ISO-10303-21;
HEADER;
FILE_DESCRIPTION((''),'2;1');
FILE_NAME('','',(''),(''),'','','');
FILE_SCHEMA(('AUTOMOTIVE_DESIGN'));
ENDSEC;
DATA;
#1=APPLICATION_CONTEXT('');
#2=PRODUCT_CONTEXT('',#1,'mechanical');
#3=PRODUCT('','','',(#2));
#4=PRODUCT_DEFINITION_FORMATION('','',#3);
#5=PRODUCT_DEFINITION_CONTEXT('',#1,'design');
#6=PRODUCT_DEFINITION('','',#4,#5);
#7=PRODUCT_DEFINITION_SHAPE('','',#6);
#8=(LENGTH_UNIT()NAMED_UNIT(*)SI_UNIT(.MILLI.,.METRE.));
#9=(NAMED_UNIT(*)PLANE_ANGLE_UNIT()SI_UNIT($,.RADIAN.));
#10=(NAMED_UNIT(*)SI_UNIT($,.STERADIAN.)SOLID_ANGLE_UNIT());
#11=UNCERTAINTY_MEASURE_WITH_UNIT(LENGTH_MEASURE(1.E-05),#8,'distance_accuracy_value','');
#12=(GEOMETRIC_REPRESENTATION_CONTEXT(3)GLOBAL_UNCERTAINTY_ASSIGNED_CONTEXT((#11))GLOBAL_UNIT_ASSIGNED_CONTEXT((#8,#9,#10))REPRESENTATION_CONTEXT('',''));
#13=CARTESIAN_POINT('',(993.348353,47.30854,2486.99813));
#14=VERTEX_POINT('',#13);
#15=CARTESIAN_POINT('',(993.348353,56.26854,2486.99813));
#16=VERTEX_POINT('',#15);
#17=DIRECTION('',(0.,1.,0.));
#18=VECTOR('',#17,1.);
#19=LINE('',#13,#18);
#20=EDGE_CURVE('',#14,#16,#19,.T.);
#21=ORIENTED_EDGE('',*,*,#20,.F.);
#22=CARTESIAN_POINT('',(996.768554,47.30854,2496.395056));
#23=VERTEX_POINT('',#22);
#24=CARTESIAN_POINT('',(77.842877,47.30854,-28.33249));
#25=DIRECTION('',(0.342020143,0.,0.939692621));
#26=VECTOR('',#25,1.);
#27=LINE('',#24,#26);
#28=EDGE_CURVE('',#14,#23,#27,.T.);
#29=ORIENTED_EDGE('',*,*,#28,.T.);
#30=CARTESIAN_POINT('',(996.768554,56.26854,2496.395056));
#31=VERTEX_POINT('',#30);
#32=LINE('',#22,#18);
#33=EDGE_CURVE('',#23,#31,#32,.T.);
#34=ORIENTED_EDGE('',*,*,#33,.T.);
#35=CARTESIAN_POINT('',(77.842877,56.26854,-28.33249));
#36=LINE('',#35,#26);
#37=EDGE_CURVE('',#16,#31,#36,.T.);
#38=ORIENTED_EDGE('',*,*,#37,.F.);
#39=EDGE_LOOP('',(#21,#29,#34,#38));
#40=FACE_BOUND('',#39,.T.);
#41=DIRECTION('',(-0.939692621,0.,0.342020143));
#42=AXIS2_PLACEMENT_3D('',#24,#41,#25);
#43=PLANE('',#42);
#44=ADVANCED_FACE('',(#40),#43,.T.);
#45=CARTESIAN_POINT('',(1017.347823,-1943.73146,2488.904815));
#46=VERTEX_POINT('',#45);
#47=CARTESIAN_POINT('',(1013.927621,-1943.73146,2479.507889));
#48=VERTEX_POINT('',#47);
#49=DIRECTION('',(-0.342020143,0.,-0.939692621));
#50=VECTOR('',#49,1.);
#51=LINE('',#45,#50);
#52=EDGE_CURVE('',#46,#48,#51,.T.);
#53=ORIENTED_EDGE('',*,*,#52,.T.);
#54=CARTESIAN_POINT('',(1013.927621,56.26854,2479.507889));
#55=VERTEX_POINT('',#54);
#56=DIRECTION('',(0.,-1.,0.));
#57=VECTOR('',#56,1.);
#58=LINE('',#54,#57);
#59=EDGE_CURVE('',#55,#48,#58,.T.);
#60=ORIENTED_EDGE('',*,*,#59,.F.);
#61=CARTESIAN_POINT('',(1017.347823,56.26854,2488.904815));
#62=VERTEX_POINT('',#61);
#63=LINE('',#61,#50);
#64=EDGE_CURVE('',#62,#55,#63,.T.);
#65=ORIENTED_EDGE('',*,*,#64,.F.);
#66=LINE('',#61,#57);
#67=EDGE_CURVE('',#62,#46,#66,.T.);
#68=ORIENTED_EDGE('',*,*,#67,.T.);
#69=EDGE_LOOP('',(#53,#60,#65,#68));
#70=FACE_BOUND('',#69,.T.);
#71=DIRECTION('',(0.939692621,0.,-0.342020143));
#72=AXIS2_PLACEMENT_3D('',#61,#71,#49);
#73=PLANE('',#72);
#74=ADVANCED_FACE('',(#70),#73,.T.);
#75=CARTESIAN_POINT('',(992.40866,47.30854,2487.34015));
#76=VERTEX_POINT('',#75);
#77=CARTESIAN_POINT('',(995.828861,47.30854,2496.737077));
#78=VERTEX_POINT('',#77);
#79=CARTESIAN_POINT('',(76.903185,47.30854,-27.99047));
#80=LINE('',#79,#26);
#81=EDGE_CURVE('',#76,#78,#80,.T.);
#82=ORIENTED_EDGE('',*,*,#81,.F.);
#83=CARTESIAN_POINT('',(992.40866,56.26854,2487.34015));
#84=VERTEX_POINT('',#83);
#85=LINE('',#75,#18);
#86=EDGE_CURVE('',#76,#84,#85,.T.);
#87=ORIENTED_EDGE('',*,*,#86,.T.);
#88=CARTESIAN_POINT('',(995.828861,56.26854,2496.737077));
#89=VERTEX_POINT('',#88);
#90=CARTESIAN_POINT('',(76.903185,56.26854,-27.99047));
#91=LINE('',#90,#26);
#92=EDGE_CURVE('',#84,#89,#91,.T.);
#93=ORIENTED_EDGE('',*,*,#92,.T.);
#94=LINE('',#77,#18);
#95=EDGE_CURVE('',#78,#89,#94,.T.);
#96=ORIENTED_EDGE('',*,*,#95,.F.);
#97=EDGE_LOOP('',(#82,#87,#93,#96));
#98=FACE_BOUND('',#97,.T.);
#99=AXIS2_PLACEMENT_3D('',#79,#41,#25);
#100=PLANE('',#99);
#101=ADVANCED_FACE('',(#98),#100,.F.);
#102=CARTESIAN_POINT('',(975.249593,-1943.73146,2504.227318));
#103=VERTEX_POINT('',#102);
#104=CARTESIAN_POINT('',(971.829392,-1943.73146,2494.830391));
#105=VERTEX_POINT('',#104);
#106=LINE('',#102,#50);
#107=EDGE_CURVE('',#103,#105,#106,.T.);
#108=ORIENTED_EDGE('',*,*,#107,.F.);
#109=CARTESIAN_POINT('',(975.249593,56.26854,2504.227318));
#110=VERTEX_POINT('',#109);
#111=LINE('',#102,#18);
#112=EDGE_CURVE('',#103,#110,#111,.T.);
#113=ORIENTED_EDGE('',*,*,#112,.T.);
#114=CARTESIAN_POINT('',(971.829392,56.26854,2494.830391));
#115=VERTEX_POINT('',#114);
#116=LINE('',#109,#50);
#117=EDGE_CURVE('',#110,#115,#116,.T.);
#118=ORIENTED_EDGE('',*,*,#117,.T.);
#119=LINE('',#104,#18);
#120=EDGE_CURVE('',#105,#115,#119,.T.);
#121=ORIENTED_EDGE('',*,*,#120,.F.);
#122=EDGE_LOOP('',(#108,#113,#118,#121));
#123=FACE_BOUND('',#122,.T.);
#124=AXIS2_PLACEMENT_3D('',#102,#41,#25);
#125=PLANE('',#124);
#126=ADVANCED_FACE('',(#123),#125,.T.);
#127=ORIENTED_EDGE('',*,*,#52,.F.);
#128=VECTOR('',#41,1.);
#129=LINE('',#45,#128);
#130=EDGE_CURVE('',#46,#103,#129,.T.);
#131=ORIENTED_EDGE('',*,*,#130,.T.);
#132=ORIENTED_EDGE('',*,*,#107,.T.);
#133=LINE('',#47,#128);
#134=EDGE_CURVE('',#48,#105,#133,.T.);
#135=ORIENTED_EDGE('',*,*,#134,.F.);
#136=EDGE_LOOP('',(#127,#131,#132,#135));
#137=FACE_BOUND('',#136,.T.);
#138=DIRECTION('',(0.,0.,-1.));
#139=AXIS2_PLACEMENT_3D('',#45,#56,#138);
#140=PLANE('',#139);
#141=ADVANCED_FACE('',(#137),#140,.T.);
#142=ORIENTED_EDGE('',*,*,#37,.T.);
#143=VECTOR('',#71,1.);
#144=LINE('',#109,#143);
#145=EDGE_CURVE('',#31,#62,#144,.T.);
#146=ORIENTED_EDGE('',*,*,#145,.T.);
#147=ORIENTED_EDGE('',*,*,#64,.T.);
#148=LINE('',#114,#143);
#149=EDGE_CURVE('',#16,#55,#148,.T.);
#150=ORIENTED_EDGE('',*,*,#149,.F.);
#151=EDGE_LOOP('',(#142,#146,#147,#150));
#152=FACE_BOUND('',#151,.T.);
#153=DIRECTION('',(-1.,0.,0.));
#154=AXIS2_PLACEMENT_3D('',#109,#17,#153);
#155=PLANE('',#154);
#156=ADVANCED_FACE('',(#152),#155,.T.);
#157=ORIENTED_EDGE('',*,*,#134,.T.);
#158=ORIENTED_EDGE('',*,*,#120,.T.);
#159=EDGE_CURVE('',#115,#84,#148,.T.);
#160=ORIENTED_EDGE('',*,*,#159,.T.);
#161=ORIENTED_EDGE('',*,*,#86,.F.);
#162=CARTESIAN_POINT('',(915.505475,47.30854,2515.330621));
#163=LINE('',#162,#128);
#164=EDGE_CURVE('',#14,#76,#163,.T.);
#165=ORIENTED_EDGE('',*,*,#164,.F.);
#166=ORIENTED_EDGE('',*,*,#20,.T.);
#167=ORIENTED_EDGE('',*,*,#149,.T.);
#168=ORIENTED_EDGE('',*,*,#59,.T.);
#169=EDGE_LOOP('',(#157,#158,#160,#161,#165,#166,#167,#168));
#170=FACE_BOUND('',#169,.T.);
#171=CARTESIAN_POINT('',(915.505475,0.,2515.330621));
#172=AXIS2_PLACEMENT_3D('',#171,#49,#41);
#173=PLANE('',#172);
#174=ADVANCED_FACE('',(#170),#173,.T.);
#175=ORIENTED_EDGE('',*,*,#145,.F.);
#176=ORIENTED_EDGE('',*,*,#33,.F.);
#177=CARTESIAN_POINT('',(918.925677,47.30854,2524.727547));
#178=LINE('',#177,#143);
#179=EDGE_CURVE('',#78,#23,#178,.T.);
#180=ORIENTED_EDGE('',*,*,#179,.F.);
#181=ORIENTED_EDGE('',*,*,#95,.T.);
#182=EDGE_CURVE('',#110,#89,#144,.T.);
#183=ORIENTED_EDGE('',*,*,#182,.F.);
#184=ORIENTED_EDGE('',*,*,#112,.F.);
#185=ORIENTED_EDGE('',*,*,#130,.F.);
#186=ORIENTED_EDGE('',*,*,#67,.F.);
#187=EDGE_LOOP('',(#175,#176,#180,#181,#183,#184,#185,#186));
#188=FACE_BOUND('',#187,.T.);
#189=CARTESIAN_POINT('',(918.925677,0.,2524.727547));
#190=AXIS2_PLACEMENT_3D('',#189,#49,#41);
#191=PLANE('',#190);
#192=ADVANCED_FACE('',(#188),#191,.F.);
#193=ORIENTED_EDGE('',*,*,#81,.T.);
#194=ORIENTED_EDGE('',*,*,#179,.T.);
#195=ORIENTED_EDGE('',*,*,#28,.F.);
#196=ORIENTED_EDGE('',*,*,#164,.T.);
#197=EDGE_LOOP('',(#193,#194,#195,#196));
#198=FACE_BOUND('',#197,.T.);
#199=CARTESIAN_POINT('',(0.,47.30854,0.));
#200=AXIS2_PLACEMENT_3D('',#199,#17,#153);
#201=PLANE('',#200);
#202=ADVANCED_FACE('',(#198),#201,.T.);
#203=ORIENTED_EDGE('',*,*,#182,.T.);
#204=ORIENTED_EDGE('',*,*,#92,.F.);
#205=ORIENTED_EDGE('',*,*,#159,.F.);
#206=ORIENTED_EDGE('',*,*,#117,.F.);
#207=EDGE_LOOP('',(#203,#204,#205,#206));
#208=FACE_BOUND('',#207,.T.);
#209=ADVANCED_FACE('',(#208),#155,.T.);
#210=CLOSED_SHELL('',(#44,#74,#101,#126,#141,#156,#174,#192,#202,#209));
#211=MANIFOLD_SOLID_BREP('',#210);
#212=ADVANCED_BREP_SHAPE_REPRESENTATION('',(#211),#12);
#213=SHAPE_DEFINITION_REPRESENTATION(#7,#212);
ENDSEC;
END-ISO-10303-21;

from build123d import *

# Parameters (mm, degrees)
SKETCH_1_W          = 44.8
SKETCH_1_H          = 2000
EXTRUDE_1_DEPTH     = 10
CUT_EXTRUDE_2_DEPTH = 3329.04869605
EXTRUDE_2_DEPTH     = 44.8
CUT_EXTRUDE_3_DEPTH = 8.96


with BuildPart() as part:
    # 草图1 → 凸台-拉伸1 (new body)
    with BuildSketch(Plane(origin=(915.505475204, 0, 2515.33062051), x_dir=(-0.9396926207859093, 0, 0.3420201433256663), z_dir=(-0.3420201433256663, 0, -0.9396926207859093))):
        with Locations((-82.338659964, -943.731460395)):
            Rectangle(SKETCH_1_W, SKETCH_1_H)
    extrude(amount=-EXTRUDE_1_DEPTH)

    # 草图2 → 切除-拉伸2 (cut, through all)
    with BuildSketch(Plane(origin=(56.323916468, 0, -20.500229072), x_dir=(0.34202014332566644, 0, 0.9396926207859093), z_dir=(-0.9396926207859092, 0, 0.3420201433256664))):
        with BuildLine():
            Line((2678.733687242, 56.268539605), (2678.733687242, 49.653408924))
            Line((2678.733687242, 49.653408924), (2684.784186307, 49.653408924))
            ThreePointArc((2684.784186307, 49.653408924), (2684.783800485, 49.701723134), (2684.78264312, 49.750025021))
            Line((2684.78264312, 49.750025021), (2684.784186307, 56.268539605))
            Line((2684.784186307, 56.268539605), (2678.733687242, 56.268539605))
        make_face()
        with BuildLine():
            Line((2684.784186307, 49.653408924), (2678.733687242, 49.653408924))
            ThreePointArc((2678.733687242, 49.653408924), (2681.758936775, 46.628159392), (2684.784186307, 49.653408924))
        make_face()
    extrude(amount=-CUT_EXTRUDE_2_DEPTH, mode=Mode.SUBTRACT)

    # 草图3 → 凸台-拉伸2 (add)
    with BuildSketch(Plane(origin=(56.323916468, 0, -20.500229072), x_dir=(0.34202014332566644, 0, 0.9396926207859093), z_dir=(-0.9396926207859092, 0, 0.3420201433256664))):
        with BuildLine():
            Line((2678.733687242, 49.653408924), (2678.733687242, 56.268539605))
            Line((2678.733687242, 56.268539605), (2684.784186307, 56.268539605))
            Line((2684.784186307, 56.268539605), (2684.784186307, 49.653408924))
            ThreePointArc((2684.784186307, 49.653408924), (2681.758936775, 46.628159392), (2678.733687242, 49.653408924))
        make_face()
    extrude(amount=-EXTRUDE_2_DEPTH)

    # 草图4 → 切除-拉伸3 (cut)
    with BuildSketch(Plane(origin=(0, 56.268539605, 0), x_dir=(1, 0, 0), z_dir=(0, 1, 0))):
        Polygon((995.8288615, -2496.737076507), (996.29870781, -2496.566066436), (992.878506377, -2487.169140228), (992.408660067, -2487.340150299), align=None)
        Polygon((992.878506377, -2487.169140228), (996.29870781, -2496.566066436), (996.768554121, -2496.395056364), (993.348352687, -2486.998130156), align=None)
    extrude(amount=-CUT_EXTRUDE_3_DEPTH, mode=Mode.SUBTRACT)


solid = part.part
